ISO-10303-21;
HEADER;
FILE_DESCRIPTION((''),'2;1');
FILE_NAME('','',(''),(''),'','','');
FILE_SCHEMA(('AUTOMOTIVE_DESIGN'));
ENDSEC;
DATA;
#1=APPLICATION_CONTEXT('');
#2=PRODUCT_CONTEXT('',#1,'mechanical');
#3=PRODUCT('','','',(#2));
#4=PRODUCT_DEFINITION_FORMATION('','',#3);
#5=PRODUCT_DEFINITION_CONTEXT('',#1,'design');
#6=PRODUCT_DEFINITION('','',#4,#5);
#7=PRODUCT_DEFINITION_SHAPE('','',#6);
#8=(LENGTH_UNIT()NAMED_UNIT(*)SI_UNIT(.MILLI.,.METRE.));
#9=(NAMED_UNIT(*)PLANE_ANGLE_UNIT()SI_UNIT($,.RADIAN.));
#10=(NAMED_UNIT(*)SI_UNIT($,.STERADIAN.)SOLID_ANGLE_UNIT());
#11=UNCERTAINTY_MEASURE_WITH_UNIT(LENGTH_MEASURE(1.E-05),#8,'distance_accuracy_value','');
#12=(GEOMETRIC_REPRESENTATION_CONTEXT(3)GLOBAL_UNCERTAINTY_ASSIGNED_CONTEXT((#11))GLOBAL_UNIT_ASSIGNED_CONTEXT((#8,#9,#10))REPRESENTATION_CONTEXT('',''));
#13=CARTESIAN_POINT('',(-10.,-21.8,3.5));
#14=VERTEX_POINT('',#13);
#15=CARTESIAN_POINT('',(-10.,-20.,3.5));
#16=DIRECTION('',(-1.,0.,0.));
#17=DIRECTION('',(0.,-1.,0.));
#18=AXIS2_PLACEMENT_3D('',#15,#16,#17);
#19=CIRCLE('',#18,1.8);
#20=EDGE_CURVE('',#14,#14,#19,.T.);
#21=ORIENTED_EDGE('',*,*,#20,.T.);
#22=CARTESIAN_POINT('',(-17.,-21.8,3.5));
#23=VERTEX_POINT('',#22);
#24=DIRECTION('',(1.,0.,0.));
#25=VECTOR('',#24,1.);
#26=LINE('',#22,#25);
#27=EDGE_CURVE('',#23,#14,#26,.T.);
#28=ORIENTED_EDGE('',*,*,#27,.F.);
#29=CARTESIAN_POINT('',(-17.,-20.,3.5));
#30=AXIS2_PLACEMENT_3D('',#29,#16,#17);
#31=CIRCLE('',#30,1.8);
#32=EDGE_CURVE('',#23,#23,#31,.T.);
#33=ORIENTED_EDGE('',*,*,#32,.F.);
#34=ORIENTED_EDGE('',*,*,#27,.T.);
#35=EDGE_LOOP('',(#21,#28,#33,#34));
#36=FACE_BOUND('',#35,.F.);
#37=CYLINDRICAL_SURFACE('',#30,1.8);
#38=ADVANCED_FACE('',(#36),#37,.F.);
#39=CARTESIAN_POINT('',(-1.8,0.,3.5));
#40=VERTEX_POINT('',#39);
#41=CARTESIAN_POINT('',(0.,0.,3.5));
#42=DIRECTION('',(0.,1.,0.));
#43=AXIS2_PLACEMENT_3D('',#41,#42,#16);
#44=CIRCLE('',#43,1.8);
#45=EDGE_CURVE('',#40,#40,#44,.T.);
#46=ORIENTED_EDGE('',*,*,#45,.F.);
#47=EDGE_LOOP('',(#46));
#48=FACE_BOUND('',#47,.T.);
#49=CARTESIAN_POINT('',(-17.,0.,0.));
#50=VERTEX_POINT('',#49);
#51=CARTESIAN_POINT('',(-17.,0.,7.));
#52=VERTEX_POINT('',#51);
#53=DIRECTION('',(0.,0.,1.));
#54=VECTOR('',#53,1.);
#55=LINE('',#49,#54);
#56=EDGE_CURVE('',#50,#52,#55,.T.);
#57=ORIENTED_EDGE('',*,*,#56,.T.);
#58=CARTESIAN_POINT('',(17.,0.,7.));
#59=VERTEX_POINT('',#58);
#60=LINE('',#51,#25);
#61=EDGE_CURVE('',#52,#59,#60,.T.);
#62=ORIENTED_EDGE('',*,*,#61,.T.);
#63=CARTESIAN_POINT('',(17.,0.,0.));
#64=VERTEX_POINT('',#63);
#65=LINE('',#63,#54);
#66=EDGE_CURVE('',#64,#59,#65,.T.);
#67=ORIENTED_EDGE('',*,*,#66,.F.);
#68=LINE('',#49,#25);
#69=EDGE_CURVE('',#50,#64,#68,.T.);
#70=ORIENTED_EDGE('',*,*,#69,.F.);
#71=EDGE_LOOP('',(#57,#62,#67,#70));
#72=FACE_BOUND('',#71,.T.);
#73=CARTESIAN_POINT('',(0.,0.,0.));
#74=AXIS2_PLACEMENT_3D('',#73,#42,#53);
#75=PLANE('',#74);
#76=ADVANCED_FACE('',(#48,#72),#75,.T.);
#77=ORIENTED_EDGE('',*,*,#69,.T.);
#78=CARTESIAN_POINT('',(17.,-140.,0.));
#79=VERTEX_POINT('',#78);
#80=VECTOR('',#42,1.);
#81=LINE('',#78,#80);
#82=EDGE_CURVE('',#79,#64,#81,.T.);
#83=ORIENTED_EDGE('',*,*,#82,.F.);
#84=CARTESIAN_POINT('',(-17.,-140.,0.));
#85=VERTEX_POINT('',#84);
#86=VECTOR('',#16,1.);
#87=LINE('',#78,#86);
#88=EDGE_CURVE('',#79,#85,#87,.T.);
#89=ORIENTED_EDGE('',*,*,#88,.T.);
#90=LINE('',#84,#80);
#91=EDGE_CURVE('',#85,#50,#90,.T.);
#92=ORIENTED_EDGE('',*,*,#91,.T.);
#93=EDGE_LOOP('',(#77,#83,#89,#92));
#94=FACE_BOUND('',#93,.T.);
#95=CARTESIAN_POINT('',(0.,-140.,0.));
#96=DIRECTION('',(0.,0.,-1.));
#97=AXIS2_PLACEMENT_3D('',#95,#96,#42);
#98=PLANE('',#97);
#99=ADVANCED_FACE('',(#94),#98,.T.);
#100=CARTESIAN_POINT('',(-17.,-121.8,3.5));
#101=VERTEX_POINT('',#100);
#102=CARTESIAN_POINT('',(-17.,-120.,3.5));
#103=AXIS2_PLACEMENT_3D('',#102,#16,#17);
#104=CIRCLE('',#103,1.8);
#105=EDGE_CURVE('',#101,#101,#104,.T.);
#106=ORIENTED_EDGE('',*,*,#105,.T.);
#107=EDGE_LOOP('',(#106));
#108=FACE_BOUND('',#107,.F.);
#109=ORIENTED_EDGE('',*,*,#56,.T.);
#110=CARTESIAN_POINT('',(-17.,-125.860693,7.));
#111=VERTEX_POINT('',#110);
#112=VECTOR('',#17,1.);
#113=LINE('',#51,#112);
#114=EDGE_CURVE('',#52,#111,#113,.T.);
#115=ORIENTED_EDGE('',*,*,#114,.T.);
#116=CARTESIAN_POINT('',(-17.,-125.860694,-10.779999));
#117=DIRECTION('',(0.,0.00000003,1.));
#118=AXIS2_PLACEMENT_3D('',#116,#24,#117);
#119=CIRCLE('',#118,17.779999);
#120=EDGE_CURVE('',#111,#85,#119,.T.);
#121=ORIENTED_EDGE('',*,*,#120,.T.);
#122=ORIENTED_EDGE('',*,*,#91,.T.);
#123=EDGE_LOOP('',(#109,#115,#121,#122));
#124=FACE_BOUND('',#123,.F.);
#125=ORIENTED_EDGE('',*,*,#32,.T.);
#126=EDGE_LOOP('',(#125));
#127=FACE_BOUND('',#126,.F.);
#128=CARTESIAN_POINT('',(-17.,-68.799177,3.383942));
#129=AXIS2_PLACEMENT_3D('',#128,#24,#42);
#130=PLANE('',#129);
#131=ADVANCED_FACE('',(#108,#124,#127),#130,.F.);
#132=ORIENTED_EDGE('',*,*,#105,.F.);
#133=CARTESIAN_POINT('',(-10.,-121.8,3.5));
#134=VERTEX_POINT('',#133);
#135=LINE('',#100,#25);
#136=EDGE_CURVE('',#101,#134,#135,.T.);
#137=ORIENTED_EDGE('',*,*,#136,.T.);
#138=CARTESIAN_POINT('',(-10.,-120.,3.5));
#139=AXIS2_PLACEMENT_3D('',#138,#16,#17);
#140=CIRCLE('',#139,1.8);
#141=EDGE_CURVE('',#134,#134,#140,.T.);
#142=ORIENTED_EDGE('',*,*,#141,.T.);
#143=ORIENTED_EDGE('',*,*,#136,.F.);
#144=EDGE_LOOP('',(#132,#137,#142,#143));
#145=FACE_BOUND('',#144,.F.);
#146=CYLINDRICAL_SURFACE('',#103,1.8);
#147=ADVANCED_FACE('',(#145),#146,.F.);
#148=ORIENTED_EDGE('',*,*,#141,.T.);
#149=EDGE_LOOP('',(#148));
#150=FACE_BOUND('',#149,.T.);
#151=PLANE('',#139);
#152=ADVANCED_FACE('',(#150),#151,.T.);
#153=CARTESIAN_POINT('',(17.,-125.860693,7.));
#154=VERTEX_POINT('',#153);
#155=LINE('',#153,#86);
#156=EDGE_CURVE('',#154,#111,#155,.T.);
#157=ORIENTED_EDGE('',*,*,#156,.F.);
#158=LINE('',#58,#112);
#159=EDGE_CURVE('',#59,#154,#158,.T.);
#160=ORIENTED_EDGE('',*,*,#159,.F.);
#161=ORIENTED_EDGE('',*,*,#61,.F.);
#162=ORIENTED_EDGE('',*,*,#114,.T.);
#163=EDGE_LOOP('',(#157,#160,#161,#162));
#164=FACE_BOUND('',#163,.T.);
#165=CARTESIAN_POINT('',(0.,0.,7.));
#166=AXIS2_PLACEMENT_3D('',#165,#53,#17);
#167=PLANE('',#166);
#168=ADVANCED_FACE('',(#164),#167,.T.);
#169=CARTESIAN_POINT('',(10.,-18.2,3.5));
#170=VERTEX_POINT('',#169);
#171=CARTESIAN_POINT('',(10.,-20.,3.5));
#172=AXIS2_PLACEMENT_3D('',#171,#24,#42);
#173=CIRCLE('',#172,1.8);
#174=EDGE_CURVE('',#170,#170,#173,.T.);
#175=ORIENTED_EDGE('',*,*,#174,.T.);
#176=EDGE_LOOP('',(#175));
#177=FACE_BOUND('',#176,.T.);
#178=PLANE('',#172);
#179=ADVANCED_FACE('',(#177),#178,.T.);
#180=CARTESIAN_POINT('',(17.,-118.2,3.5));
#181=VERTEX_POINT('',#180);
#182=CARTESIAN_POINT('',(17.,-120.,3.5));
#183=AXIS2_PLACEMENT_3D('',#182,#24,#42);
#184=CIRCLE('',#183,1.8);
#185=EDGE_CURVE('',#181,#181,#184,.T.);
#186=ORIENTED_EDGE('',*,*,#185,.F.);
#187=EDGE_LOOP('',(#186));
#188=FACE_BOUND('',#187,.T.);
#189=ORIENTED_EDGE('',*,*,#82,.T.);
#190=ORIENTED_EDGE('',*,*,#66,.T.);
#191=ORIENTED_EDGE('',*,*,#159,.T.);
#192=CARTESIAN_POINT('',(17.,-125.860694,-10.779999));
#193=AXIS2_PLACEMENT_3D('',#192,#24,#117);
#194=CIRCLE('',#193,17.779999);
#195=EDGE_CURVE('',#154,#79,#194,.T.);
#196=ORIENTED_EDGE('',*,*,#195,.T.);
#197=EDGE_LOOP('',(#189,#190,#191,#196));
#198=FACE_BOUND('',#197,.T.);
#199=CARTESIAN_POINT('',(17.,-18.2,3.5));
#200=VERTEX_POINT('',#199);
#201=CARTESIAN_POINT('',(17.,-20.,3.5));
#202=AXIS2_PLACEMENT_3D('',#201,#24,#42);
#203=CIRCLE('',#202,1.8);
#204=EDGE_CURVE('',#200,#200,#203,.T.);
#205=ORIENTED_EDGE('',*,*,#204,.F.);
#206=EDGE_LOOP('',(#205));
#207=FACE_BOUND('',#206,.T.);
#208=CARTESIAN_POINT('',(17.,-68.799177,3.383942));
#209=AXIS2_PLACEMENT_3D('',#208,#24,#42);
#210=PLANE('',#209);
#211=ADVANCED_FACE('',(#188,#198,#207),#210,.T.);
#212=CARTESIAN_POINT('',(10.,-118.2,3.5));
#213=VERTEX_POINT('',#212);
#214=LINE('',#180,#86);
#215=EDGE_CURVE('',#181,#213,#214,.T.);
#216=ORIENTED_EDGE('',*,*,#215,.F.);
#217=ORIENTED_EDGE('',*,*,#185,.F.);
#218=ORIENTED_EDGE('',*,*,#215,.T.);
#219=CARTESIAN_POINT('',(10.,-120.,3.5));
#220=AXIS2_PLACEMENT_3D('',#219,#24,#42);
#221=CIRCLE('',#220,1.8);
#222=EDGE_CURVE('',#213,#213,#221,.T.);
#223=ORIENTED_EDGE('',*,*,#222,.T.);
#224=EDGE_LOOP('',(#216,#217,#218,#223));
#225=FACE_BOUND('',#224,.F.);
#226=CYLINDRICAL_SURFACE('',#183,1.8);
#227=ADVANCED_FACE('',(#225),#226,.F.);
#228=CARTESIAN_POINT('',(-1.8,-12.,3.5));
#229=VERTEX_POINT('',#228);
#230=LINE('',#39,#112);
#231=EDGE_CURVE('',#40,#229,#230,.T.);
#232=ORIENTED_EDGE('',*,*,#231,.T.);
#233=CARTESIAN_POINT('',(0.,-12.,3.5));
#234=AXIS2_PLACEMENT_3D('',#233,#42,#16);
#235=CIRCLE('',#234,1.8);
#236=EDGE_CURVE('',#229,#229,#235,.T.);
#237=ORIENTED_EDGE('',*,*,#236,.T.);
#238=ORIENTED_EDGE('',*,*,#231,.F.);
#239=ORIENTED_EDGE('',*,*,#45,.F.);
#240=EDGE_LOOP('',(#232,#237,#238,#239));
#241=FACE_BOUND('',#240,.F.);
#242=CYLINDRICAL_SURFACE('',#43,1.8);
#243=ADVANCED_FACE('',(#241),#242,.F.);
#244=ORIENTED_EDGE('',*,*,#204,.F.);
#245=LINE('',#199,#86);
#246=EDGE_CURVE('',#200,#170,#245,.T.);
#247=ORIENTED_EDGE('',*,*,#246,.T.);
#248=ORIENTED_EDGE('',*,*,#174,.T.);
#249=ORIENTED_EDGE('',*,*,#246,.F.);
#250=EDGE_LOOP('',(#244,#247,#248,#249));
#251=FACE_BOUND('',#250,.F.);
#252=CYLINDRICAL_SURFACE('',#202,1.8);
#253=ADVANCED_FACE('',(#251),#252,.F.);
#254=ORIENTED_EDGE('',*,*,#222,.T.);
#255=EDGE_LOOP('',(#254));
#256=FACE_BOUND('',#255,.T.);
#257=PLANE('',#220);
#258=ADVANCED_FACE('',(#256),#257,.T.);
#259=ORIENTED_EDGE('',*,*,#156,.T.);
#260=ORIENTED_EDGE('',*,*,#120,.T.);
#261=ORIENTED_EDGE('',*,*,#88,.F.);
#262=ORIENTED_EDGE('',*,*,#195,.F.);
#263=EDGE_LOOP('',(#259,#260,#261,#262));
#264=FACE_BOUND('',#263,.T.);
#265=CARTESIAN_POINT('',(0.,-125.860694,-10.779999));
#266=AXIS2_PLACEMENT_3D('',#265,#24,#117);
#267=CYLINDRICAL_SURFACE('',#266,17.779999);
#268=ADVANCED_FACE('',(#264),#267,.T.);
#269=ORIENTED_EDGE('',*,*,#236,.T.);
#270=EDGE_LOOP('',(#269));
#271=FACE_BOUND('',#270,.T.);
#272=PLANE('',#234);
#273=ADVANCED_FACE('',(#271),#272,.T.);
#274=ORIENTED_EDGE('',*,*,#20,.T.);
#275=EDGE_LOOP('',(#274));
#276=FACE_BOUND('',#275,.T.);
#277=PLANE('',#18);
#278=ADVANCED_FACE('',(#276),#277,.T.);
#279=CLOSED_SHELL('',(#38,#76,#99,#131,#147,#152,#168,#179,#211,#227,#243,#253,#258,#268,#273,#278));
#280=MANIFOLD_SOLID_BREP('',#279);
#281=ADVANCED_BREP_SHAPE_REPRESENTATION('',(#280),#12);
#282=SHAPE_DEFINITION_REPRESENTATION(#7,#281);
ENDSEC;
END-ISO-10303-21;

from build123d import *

# Parameters (mm, degrees)
F1_DEPTH = 17
F2_R     = 1.8
F3_DEPTH = 7
F4_R     = 1.8
F5_DEPTH = 7
F6_R     = 1.8
F7_DEPTH = 12


with BuildPart() as f1:
    # F0 (on Right) → F1 (new body, symmetric)
    with BuildSketch(Plane.YZ):
        with BuildLine():
            Line((-140, 0), (0, 0))
            Line((0, 0), (0, 7))
            Line((0, 7), (-125.860693, 7))
            ThreePointArc((-125.860693, 7), (-133.749292, 5.15419), (-140, 0))
        make_face()
    extrude(amount=F1_DEPTH, both=True)

    # F2 (on face) → F3 (cut)
    with BuildSketch(Plane.YZ.offset(17)):
        with Locations((-20, 3.5)):
            Circle(F2_R)
        with Locations((-120, 3.5)):
            Circle(F2_R)
    extrude(amount=-F3_DEPTH, mode=Mode.SUBTRACT)

    # F4 (on face) → F5 (cut)
    with BuildSketch(Plane(origin=(-17, 0, 0), x_dir=(0, -1, 0), z_dir=(-1, 0, 0))):
        with Locations((20, 3.5)):
            Circle(F4_R)
        with Locations((120, 3.5)):
            Circle(F4_R)
    extrude(amount=-F5_DEPTH, mode=Mode.SUBTRACT)

    # F6 (on face) → F7 (cut)
    with BuildSketch(Plane(origin=(0, 0, 0), x_dir=(-1, 0, 0), z_dir=(0, 1, 0))):
        with Locations((0, 3.5)):
            Circle(F6_R)
    extrude(amount=-F7_DEPTH, mode=Mode.SUBTRACT)


solid = f1.part
